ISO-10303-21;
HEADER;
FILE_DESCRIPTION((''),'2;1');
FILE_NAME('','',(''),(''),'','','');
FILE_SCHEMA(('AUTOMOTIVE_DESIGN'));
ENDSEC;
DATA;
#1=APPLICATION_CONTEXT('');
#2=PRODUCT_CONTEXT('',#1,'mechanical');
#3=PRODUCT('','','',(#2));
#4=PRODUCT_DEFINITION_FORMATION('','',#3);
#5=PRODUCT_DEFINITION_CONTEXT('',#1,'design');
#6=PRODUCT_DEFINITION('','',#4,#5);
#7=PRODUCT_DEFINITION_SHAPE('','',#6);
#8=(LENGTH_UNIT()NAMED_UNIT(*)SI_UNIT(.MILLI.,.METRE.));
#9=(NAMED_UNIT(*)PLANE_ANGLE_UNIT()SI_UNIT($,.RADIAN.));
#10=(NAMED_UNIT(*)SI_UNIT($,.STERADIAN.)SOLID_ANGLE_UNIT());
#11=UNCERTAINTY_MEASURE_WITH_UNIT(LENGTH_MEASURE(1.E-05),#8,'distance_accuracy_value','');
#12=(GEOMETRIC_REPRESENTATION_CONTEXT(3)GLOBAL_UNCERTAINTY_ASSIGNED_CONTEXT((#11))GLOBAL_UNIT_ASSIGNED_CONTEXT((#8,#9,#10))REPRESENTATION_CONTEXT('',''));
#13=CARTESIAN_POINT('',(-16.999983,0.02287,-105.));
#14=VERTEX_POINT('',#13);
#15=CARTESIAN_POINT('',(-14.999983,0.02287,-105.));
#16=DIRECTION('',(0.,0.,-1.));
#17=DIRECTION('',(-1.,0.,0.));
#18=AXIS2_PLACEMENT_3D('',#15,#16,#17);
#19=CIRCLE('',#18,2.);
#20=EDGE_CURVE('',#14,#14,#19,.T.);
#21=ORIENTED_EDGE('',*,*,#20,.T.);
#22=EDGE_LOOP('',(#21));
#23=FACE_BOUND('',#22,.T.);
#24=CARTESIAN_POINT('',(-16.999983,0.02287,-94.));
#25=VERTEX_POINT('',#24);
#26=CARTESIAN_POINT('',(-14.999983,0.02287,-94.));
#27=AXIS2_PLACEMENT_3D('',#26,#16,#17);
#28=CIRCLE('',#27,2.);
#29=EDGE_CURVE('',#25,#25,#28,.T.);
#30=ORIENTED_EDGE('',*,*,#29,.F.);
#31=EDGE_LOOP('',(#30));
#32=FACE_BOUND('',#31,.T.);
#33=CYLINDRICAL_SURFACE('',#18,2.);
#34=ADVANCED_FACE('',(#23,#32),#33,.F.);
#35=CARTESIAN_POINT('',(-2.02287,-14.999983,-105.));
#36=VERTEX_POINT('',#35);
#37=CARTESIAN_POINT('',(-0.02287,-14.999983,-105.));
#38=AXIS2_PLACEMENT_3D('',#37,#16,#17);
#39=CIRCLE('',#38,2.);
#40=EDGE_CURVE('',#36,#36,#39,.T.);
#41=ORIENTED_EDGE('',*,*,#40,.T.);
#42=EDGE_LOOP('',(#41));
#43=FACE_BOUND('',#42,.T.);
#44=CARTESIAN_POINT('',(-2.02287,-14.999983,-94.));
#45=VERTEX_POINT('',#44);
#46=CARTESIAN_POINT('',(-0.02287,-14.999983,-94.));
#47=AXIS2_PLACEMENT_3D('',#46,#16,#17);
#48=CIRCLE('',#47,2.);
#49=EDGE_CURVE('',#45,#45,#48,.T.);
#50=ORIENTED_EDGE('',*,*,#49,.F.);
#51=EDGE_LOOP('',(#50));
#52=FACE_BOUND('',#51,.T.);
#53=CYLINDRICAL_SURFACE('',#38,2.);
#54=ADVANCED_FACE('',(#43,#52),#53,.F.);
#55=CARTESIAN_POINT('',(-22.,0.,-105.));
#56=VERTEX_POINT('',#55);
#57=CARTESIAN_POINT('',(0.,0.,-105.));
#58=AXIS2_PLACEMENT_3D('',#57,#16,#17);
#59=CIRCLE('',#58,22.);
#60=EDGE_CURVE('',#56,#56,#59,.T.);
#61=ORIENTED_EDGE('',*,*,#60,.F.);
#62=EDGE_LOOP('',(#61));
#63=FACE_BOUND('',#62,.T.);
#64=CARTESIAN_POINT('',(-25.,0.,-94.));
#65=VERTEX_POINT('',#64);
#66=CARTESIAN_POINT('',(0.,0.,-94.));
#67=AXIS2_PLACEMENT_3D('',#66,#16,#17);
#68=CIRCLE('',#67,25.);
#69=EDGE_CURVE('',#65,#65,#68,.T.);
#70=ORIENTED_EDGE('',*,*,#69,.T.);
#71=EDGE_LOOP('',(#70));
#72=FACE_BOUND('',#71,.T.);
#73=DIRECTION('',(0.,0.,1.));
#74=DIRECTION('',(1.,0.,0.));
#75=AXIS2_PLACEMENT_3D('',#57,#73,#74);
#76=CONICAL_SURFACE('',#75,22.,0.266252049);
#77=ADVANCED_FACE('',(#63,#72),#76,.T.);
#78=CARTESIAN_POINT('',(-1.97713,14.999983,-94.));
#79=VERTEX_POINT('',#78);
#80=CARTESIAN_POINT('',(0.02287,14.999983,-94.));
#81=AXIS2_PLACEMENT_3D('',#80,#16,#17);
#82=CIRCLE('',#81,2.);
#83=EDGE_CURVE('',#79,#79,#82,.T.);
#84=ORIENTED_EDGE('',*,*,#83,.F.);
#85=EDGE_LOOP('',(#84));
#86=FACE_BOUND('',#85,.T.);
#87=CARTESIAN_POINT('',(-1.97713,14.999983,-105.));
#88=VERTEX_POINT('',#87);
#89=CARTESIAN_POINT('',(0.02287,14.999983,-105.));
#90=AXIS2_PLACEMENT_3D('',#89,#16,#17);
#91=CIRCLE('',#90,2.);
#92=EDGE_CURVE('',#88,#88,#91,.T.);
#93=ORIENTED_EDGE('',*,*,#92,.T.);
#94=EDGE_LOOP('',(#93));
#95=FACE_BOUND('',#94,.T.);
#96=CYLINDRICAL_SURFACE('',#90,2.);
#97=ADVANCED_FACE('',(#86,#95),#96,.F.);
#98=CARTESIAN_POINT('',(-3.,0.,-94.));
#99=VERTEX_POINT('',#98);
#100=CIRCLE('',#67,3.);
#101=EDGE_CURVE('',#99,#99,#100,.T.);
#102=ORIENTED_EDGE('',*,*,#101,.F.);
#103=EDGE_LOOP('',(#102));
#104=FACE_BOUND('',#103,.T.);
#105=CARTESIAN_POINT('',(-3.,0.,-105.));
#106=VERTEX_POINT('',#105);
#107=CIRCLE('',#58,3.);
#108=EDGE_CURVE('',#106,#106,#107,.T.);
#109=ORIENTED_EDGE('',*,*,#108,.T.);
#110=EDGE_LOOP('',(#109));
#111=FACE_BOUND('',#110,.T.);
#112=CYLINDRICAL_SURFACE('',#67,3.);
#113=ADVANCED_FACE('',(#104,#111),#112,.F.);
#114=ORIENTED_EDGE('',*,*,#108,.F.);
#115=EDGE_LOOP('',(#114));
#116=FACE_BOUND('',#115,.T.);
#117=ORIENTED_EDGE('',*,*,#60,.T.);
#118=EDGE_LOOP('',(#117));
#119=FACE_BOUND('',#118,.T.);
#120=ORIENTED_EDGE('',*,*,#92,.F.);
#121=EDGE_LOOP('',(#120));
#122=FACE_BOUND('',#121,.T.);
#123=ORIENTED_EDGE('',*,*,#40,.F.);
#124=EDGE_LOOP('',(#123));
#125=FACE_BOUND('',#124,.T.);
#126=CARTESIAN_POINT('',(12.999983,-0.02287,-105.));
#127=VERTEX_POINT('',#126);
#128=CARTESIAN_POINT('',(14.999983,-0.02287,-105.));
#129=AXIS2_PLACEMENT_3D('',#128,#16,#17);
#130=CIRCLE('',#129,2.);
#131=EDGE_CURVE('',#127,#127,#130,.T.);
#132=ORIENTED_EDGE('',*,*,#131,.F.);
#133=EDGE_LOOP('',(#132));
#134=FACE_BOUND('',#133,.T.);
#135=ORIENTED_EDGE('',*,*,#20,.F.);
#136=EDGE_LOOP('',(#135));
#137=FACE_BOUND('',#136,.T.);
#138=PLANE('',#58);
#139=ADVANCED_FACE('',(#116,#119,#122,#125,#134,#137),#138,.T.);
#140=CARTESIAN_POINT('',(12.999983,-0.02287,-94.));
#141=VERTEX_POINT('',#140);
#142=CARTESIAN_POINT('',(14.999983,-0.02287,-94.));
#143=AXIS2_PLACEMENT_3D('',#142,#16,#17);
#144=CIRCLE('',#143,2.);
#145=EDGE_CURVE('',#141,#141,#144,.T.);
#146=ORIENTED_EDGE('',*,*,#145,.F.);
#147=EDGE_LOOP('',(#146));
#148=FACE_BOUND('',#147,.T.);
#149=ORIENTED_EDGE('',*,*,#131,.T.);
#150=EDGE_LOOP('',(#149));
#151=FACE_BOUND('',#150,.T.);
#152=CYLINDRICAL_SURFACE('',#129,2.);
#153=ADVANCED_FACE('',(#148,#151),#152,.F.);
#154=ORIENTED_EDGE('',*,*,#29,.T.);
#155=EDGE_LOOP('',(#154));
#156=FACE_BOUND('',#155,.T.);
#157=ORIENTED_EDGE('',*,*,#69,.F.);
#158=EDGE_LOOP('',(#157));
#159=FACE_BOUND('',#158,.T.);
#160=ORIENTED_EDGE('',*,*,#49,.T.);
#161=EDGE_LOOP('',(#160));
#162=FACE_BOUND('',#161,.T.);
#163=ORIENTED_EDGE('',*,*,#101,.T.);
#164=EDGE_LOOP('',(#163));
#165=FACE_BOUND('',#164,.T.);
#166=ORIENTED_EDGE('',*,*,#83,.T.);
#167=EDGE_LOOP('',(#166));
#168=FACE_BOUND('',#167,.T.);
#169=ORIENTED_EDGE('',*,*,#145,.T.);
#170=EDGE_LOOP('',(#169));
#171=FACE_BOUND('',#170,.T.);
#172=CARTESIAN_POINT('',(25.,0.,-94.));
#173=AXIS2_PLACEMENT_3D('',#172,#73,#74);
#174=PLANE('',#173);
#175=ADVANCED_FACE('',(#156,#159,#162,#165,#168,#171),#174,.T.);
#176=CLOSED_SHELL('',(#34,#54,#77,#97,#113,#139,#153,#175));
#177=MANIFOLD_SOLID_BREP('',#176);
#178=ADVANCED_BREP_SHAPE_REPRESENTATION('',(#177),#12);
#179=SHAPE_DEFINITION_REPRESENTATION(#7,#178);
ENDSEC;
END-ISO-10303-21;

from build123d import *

# Parameters (mm, degrees)
F_4_0_4_DIAMETER_HOLE1_D     = 4
F_4_0_4_DIAMETER_HOLE1_DEPTH = 11
SKETCH4_R                    = 3
CUT_EXTRUDE1_DEPTH           = 12


with BuildPart() as part:
    # Sketch1 → Revolve1 (revolve)
    with BuildSketch(Plane.XZ):
        Polygon((25, -94), (0, -94), (0, -105), (22, -105), align=None)
    revolve(axis=Axis((0, 0, -94), (0, 0, -1)))

    # Ø4.0 (4) Diameter Hole1
    with Locations(Plane(origin=(0, 0, -105), x_dir=(-1, 0, 0), z_dir=(0, 0, -1))):
        with Locations((-14.999982566, -0.022869707), (0.022869707, -14.999982566), (-0.022869707, 14.999982566), (14.999982566, 0.022869707)):
            Hole(F_4_0_4_DIAMETER_HOLE1_D / 2, depth=F_4_0_4_DIAMETER_HOLE1_DEPTH)

    # Sketch4 → Cut-Extrude1 (cut, through all)
    with BuildSketch(Plane(origin=(0, 0, -105), x_dir=(-1, 0, 0), z_dir=(0, 0, -1))):
        Circle(SKETCH4_R)
    extrude(amount=-CUT_EXTRUDE1_DEPTH, mode=Mode.SUBTRACT)


solid = part.part
